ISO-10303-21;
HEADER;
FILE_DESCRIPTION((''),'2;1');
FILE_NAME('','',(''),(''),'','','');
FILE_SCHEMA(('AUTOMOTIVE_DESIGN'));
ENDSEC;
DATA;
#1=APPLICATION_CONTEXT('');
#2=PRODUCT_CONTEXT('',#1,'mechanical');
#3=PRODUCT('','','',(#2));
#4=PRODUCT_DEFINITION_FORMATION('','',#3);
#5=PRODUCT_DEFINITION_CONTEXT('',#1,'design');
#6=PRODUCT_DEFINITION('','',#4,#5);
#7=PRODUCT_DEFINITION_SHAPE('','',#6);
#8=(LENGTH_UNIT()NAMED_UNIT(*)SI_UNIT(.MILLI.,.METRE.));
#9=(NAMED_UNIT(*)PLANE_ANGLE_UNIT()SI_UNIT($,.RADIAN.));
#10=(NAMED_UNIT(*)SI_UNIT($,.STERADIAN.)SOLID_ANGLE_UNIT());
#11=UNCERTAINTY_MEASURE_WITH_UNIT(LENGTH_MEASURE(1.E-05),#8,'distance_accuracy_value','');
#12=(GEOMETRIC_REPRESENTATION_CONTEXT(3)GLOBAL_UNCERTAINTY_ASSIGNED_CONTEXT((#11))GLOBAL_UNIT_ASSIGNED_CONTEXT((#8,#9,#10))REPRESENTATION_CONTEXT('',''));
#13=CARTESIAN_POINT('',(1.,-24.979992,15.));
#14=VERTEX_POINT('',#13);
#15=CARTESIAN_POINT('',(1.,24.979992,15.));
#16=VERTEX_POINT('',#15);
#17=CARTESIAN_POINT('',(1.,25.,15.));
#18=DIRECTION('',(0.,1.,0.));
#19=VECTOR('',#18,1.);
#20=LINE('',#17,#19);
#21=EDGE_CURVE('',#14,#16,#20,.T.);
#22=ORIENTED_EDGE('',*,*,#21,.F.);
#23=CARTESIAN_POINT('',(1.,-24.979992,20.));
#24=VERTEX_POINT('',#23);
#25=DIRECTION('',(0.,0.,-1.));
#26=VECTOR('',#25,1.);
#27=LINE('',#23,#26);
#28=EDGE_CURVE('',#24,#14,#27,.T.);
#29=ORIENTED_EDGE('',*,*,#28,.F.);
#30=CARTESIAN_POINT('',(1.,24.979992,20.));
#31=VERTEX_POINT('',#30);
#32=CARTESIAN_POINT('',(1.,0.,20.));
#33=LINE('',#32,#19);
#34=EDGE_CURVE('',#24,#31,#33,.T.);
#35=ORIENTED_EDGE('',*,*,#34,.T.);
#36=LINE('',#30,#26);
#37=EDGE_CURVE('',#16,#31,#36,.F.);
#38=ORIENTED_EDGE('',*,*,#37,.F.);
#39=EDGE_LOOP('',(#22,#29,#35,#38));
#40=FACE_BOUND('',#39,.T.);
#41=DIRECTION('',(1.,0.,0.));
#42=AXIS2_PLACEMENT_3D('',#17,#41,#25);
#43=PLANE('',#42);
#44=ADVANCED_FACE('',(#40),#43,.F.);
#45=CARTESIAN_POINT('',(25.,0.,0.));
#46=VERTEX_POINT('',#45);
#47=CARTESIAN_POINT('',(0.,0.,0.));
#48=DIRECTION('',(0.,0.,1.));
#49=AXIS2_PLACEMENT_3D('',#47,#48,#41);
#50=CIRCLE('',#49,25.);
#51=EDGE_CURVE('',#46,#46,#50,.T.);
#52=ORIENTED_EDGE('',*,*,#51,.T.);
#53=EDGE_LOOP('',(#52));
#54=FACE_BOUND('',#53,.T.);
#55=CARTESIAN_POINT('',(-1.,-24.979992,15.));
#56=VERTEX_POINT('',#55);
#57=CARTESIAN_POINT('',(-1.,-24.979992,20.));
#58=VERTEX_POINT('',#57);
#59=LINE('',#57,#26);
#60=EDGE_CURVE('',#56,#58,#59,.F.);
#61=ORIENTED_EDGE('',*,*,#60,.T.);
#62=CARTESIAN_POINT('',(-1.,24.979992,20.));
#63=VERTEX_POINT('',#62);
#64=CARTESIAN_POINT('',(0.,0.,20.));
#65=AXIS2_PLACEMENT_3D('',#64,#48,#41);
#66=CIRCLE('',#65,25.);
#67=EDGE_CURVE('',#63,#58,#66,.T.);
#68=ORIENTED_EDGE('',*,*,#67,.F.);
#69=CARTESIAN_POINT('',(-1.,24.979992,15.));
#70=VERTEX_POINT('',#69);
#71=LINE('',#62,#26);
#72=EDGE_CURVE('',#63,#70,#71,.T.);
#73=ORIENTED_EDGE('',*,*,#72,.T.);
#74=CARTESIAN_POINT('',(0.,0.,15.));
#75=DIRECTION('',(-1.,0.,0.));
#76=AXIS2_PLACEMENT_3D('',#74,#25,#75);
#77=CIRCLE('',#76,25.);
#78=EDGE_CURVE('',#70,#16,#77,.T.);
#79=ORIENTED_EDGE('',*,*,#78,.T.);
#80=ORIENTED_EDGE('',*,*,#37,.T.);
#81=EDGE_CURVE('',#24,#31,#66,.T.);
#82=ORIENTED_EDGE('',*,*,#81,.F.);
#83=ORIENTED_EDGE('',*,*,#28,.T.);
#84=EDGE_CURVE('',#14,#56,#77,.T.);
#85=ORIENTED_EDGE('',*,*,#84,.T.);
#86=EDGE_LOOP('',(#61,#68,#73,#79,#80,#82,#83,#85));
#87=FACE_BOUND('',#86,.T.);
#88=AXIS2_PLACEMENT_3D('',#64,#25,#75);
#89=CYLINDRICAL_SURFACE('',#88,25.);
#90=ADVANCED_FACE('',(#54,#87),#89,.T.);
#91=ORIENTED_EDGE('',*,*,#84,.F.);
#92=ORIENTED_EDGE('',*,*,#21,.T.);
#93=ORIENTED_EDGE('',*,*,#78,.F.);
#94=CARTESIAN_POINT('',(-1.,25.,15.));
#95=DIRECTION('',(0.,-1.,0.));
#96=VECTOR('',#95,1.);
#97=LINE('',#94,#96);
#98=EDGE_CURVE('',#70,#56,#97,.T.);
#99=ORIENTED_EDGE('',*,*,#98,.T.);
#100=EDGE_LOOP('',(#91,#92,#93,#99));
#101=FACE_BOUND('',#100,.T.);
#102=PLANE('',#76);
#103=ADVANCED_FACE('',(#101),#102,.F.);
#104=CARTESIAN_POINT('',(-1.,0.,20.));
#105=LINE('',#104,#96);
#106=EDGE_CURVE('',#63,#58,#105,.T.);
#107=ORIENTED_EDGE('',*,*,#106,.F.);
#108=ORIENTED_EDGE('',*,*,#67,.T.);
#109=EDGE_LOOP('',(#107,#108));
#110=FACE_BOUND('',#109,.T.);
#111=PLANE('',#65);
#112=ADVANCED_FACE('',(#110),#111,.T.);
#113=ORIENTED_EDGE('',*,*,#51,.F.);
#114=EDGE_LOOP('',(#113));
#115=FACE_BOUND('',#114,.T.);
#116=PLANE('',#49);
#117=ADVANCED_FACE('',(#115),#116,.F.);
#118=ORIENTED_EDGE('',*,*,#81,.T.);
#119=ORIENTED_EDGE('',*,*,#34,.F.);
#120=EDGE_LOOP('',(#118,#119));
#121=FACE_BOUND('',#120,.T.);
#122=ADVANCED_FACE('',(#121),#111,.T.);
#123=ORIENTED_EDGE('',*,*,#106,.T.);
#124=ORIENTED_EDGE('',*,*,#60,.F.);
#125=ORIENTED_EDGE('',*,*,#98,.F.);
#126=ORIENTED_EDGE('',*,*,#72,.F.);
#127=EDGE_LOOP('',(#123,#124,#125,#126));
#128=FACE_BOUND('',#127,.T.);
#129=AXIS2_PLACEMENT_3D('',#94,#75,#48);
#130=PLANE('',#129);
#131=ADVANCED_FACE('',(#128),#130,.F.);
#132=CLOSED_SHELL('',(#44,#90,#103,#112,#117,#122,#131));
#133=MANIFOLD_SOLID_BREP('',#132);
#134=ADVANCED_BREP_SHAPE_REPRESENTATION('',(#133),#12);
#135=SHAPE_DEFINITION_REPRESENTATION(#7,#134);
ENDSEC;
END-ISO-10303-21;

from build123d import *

# Parameters (mm, degrees)
SKETCH1_R           = 25
BOSS_EXTRUDE1_DEPTH = 20
SKETCH2_W           = 2
SKETCH2_H           = 50
CUT_EXTRUDE1_DEPTH  = 5


with BuildPart() as part:
    # Sketch1 → Boss-Extrude1 (new body)
    with BuildSketch(Plane.XY):
        Circle(SKETCH1_R)
    extrude(amount=BOSS_EXTRUDE1_DEPTH)

    # Sketch2 → Cut-Extrude1 (cut)
    with BuildSketch(Plane.XY.offset(20)):
        Rectangle(SKETCH2_W, SKETCH2_H)
    extrude(amount=-CUT_EXTRUDE1_DEPTH, mode=Mode.SUBTRACT)


solid = part.part
